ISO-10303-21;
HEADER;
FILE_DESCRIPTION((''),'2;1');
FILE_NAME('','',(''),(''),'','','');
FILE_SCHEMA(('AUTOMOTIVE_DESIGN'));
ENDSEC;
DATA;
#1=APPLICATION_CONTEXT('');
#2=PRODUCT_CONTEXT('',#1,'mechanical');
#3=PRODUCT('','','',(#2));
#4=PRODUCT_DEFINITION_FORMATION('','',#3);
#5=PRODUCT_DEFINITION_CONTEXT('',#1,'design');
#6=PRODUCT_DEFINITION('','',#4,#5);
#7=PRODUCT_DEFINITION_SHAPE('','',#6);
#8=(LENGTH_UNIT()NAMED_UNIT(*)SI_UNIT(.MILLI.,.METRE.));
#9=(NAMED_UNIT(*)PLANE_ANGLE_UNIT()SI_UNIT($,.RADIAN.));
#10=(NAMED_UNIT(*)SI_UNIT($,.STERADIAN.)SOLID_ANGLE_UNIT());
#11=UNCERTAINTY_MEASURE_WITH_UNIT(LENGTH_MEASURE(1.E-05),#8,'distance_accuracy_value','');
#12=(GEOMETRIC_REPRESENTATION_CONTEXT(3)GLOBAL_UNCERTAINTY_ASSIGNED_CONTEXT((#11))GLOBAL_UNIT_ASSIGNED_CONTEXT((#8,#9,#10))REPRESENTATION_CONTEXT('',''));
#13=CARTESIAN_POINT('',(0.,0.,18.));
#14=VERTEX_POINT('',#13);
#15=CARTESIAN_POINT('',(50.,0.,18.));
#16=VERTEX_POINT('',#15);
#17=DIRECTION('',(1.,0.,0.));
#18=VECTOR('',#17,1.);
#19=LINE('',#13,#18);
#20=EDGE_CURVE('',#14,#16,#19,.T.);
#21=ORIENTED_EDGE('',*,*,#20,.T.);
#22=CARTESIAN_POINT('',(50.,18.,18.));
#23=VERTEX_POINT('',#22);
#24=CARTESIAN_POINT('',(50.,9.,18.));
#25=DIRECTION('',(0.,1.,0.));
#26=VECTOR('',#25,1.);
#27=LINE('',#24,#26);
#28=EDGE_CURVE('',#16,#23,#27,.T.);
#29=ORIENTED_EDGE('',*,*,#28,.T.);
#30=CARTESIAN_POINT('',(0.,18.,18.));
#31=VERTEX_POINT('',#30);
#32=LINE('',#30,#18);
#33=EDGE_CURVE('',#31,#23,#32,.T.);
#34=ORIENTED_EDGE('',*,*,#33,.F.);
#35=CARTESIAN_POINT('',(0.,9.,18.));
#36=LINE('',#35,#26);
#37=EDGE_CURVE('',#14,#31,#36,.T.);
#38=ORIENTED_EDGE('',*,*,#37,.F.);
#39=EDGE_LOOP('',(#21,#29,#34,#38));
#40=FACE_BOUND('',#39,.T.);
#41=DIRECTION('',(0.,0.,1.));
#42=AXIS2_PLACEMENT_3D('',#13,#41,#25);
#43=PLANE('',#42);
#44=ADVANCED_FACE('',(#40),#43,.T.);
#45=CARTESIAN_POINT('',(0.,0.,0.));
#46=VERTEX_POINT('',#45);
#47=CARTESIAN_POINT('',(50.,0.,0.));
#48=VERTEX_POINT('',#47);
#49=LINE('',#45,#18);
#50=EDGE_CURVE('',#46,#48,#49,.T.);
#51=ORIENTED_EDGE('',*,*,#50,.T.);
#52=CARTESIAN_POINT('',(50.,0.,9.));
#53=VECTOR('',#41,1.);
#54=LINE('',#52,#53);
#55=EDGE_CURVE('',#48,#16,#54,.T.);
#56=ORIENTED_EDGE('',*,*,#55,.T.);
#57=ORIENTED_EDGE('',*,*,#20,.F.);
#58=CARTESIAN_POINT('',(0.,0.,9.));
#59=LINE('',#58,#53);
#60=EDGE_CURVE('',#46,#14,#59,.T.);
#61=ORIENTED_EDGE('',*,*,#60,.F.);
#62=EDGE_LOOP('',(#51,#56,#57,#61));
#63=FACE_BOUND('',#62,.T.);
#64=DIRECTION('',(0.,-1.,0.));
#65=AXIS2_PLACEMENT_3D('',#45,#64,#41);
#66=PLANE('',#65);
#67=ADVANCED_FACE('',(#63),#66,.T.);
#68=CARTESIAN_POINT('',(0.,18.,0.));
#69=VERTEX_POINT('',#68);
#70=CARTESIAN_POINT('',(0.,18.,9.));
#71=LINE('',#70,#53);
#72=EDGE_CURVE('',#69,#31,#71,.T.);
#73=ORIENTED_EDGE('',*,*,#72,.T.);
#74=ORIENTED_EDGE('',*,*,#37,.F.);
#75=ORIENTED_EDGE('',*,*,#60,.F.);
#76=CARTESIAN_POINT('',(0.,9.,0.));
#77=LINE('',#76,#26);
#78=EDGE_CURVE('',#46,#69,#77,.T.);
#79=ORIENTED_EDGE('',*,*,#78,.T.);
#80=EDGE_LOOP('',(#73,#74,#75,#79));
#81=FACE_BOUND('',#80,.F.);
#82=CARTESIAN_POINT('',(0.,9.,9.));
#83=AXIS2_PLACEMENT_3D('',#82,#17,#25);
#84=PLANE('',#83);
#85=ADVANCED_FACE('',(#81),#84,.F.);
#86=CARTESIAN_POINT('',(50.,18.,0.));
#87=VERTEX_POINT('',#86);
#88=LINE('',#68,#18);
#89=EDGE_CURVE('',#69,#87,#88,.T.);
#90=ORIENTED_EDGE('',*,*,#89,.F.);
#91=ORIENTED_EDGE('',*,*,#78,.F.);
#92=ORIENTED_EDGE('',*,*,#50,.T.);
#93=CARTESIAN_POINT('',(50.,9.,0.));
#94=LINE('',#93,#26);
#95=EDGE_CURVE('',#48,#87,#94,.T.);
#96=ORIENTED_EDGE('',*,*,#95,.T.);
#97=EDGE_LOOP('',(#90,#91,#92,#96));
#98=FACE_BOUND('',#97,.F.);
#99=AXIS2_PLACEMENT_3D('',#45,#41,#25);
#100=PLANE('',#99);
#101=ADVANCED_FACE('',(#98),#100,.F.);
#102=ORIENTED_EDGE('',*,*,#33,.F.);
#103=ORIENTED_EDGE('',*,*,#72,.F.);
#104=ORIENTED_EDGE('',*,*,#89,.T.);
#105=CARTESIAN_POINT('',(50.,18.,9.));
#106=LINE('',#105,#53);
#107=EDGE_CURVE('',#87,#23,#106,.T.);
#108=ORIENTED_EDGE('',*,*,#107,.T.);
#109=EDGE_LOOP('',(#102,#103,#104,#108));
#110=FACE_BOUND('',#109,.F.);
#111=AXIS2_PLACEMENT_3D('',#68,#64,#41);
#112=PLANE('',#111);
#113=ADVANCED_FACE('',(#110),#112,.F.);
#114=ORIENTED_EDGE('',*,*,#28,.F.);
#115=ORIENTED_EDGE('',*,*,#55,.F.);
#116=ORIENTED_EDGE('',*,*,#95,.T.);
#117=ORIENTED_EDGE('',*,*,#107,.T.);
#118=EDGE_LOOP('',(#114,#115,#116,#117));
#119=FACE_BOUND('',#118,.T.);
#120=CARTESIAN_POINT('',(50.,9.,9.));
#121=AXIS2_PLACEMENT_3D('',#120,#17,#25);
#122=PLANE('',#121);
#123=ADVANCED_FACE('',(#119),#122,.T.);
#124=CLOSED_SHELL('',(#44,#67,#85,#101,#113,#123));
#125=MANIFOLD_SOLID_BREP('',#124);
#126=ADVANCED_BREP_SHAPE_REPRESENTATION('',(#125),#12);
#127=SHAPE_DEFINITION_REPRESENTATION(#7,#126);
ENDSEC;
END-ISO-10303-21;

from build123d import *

# Parameters (mm, degrees)
SKETCH_W  = 18
SKETCH_H  = 18
PAD_DEPTH = 50


with BuildPart() as part:
    # Sketch → Pad (new body)
    with BuildSketch(Plane.YZ):
        with Locations((9, 9)):
            Rectangle(SKETCH_W, SKETCH_H)
    extrude(amount=PAD_DEPTH)


solid = part.part
